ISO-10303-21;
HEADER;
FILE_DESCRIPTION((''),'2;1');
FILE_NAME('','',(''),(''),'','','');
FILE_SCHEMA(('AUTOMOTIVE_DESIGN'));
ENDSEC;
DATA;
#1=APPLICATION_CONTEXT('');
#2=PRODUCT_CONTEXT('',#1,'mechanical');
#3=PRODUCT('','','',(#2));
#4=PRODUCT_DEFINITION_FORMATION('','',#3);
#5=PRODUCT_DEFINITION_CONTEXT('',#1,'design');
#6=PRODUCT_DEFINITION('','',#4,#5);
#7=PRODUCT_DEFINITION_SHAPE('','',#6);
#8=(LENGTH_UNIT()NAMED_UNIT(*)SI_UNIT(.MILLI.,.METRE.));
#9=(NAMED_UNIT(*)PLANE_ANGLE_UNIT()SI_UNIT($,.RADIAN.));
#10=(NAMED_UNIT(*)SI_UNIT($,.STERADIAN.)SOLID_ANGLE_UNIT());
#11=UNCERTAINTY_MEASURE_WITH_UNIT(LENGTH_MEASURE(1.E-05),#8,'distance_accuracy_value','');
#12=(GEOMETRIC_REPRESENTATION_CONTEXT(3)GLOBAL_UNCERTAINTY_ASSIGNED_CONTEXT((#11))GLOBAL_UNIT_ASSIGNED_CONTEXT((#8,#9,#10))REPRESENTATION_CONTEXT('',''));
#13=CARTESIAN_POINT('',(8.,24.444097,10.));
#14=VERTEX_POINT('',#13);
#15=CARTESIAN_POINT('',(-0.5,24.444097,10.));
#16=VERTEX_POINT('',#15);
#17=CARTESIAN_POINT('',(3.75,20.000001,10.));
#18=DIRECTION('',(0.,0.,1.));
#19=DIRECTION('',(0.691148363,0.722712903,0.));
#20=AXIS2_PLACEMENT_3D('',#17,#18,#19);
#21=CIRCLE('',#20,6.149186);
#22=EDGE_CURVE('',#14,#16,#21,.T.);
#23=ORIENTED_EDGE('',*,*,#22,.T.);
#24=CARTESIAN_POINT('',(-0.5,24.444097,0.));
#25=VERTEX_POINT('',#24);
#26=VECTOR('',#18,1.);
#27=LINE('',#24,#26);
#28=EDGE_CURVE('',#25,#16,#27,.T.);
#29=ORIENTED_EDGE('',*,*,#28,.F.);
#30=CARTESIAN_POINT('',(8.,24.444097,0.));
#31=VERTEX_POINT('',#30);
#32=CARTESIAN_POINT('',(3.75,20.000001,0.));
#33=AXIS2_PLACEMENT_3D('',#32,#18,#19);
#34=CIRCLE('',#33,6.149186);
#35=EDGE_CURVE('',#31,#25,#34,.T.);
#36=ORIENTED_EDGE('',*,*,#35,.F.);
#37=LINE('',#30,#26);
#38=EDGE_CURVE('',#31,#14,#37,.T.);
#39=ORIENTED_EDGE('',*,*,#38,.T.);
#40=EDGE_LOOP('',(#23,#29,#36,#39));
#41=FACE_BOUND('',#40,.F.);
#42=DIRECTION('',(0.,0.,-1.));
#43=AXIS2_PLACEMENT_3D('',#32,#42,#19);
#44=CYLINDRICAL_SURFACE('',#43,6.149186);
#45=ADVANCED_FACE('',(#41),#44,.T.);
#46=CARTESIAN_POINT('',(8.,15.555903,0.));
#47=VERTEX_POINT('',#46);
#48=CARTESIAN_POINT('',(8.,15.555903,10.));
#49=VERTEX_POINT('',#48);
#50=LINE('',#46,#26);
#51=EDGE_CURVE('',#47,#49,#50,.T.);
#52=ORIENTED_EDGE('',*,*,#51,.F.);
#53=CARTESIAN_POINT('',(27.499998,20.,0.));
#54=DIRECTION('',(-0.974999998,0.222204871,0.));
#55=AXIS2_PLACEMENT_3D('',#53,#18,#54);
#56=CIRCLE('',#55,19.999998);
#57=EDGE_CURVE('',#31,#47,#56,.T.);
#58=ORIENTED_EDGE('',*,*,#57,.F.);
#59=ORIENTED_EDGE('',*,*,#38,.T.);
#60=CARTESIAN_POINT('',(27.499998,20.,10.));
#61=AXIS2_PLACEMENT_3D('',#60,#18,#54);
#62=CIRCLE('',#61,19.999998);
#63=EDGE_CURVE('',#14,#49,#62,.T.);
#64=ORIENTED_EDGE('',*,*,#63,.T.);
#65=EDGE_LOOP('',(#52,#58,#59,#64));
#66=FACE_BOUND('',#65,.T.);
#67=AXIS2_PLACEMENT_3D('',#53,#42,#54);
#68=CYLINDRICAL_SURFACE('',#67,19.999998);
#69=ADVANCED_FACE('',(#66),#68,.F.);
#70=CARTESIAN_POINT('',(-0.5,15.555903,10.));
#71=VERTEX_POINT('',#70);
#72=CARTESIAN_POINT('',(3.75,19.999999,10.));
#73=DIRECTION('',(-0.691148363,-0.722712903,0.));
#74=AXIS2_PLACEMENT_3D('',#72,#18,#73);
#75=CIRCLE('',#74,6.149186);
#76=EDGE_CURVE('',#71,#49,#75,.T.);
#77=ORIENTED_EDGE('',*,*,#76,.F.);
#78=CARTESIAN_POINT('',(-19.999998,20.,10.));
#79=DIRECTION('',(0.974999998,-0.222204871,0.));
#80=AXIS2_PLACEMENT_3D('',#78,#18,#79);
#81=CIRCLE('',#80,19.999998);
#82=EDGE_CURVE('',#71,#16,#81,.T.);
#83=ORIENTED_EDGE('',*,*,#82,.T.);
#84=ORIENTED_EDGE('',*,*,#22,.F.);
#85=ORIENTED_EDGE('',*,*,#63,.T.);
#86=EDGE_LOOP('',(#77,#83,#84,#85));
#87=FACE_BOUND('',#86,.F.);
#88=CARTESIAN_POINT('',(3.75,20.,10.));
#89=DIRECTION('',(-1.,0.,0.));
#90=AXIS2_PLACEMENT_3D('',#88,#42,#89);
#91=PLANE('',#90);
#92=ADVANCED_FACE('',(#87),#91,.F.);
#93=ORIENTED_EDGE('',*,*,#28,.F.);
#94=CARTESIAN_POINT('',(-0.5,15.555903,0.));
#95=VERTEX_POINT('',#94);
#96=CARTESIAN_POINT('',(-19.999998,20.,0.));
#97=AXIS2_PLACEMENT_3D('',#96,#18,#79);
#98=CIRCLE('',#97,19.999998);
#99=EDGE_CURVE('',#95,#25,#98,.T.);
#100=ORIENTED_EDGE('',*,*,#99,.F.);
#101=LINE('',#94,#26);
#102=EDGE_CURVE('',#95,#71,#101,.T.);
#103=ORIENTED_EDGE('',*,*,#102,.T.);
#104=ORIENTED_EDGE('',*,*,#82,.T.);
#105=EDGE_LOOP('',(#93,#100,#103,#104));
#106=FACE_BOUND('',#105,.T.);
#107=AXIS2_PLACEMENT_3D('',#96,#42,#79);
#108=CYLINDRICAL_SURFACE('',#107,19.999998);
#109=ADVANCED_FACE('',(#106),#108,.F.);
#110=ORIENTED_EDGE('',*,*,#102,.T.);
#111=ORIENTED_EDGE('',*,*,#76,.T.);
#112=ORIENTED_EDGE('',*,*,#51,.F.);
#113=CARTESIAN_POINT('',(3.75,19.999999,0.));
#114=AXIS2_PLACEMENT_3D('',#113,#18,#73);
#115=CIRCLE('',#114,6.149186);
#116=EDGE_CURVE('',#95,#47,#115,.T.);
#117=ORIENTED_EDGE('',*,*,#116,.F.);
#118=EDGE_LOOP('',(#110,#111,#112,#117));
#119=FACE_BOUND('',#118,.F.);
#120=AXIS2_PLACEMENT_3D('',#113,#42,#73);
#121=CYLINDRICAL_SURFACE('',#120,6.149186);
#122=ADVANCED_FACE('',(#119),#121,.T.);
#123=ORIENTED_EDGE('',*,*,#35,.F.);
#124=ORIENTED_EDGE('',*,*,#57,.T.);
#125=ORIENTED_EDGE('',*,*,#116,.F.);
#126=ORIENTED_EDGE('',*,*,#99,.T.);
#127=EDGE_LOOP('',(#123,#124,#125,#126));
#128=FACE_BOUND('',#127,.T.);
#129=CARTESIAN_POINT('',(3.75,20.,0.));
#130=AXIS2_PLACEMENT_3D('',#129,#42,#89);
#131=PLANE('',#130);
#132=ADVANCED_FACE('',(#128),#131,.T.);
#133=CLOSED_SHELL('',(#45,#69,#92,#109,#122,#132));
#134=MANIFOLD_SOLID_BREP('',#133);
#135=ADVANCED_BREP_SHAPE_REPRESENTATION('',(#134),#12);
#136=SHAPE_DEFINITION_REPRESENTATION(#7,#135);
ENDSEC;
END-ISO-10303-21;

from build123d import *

# Parameters (mm, degrees)
PAD_DEPTH = 10


with BuildPart() as part:
    # Sketch → Pad (new body)
    with BuildSketch(Plane.XY):
        with BuildLine():
            ThreePointArc((8, 24.444097), (7.5, 20), (8, 15.555903))
            ThreePointArc((-0.5, 15.555903), (3.75, 13.850813), (8, 15.555903))
            ThreePointArc((-0.5, 15.555903), (0, 20), (-0.5, 24.444097))
            ThreePointArc((8, 24.444097), (3.75, 26.149187), (-0.5, 24.444097))
        make_face()
    extrude(amount=PAD_DEPTH)


solid = part.part
